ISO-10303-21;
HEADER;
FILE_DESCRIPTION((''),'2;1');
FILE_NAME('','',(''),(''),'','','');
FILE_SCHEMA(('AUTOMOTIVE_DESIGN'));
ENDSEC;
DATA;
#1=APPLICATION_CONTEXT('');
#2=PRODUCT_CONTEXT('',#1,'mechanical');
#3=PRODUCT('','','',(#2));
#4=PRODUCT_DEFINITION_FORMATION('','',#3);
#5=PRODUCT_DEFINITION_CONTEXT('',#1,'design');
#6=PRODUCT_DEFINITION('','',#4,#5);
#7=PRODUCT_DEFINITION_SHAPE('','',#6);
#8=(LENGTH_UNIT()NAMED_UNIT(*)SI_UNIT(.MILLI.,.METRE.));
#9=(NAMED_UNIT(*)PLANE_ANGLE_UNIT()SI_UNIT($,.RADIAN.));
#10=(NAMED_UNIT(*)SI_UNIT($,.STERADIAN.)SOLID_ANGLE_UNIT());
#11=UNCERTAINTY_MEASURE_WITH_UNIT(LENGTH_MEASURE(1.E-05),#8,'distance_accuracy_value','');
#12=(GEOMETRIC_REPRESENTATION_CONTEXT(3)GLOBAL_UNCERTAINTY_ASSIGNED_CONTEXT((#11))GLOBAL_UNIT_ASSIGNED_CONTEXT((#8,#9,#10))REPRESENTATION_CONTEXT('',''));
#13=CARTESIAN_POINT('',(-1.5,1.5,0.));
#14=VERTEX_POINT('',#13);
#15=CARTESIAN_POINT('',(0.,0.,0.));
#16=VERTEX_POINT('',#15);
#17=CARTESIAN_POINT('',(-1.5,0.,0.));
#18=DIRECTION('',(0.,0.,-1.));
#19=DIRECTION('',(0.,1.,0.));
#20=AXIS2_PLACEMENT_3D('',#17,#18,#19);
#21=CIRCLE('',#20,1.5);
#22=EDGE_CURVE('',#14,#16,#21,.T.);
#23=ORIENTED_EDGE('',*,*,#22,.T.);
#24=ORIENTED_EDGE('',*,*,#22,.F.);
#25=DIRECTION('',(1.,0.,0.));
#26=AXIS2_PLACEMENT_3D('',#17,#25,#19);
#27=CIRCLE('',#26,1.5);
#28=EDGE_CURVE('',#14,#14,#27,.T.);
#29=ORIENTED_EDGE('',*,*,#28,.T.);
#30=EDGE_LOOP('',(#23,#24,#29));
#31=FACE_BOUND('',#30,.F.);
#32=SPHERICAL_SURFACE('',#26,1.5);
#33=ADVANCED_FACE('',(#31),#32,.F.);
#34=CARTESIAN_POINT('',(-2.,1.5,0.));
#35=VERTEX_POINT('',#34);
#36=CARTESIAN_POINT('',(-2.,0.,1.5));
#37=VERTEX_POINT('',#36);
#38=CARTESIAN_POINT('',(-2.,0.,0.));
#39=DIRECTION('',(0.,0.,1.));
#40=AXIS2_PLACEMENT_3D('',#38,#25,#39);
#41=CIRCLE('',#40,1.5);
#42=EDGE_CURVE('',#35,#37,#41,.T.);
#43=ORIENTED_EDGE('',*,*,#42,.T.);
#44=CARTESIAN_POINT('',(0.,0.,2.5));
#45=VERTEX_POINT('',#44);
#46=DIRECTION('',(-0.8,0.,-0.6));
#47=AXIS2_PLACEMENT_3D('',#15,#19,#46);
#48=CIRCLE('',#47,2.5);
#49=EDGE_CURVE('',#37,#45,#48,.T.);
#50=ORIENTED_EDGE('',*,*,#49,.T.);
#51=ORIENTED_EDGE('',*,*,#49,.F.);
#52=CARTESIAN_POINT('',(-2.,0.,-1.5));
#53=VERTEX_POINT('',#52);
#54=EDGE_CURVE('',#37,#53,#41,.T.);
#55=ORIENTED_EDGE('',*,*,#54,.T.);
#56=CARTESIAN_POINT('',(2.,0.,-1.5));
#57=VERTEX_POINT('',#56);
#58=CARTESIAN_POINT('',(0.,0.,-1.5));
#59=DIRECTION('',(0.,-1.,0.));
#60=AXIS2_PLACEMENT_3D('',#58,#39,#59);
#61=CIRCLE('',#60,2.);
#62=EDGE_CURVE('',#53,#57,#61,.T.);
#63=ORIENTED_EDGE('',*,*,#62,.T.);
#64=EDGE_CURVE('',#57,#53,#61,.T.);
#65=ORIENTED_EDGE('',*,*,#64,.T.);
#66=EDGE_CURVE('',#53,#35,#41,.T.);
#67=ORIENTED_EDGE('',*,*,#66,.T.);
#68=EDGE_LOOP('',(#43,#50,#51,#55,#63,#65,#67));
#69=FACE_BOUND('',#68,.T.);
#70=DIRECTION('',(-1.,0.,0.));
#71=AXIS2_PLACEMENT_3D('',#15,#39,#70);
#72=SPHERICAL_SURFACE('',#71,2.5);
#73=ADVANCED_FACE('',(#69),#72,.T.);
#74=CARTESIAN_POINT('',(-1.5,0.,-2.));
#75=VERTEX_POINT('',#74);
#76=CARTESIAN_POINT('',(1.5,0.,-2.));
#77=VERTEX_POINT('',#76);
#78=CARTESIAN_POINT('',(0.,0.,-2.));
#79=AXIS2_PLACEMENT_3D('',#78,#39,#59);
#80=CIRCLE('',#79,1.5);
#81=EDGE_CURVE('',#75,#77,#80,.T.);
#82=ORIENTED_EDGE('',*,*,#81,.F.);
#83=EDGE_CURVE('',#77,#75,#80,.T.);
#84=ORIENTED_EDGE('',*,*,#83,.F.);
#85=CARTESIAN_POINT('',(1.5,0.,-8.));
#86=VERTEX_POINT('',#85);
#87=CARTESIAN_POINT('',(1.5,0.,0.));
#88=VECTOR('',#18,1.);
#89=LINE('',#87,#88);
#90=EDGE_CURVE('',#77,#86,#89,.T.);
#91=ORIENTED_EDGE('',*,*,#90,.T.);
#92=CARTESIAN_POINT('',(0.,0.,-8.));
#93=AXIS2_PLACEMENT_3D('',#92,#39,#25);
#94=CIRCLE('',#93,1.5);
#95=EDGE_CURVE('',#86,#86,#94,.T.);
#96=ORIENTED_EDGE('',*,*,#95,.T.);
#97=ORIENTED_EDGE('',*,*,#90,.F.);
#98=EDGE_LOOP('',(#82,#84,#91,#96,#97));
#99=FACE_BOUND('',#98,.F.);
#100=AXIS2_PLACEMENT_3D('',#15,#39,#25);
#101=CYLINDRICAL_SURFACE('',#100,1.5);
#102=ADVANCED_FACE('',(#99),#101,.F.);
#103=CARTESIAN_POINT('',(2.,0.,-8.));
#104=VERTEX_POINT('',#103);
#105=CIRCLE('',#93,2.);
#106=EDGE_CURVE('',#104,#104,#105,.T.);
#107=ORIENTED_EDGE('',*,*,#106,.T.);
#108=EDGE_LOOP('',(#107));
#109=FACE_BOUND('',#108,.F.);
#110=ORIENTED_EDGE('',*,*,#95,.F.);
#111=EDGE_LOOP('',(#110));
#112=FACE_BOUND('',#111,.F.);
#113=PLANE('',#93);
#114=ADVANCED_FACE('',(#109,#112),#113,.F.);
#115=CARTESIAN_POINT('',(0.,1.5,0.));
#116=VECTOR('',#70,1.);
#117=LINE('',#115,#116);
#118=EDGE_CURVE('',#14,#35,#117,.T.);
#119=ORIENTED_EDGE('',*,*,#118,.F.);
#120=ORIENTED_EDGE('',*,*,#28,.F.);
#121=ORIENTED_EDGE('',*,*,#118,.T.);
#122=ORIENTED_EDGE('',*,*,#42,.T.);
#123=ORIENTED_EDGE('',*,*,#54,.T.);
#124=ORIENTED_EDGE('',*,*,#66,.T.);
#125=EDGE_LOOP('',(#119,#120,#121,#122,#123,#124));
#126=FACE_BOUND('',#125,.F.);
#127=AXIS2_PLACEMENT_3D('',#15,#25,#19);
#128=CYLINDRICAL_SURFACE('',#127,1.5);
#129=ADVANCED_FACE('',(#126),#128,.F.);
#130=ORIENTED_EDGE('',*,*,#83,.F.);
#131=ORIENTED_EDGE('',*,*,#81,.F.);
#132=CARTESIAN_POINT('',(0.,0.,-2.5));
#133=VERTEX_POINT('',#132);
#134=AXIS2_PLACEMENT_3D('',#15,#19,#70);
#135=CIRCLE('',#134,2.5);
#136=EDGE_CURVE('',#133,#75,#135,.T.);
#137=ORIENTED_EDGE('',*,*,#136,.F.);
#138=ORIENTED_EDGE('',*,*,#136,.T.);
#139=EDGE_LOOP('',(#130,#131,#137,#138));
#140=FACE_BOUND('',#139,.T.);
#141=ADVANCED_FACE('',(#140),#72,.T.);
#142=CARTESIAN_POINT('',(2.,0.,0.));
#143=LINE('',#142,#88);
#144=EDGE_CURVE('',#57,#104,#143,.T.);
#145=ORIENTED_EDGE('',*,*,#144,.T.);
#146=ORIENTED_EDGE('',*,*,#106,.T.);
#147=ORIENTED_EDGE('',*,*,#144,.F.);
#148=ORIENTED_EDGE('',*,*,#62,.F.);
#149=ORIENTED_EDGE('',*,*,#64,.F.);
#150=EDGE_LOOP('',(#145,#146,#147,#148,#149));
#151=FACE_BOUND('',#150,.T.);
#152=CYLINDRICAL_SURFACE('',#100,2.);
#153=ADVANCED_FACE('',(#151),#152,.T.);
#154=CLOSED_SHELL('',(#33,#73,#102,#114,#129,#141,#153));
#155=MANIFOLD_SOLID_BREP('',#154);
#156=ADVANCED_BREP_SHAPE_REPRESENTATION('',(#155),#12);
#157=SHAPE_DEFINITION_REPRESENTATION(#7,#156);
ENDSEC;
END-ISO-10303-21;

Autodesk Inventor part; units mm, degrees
ref_plane "YZ Plane" through (0, 0, 0) normal (1, 0, 0) x (0, 1, 0)
ref_plane "XZ Plane" through (0, 0, 0) normal (0, 1, 0) x (-1, 0, 0)
ref_plane "XY Plane" through (0, 0, 0) normal (0, 0, 1) x (1, 0, 0)
sketch "Sketch1" plane through (0, 0, 0) normal (0, 1, 0) x (-1, 0, 0)
  circle A0 centre (0, 0) radius 2.5
  line L0 (0, -3.5) -> (0, 3.5) projected
  line L1 (0, 2.5) -> (0, -2.5)
  dimension "d0" = 5
revolve "Revolution1" add sketch "Sketch1" angle 360 about axis through (0, 0, 0) along (0, 0, 1) picked at (0.5196, 0.6515) contours A0 L0
sketch "Sketch2" plane through (0, 0, 0) normal (0, 0, 1) x (1, 0, 0)
  circle A0 centre (0, 0) radius 2
  circle A1 centre (0, 0) radius 1.5
  dimension "d2" = 4
  dimension "d3" = 3
extrude "Extrusion1" add sketch "Sketch2" against normal blind 8
sketch "Sketch3" plane through (0, 0, 0) normal (1, 0, 0) x (0, 1, 0)
  circle A0 centre (0, 0) radius 1.5
  dimension "d6" = 3
extrude "Extrusion2" cut sketch "Sketch3" against normal through all
fillet "Fillet1" radius 1.5 1 edges at (0, -1.5, 0)
properties part number "P_snap_001" material "PC/ABS Plastic"
